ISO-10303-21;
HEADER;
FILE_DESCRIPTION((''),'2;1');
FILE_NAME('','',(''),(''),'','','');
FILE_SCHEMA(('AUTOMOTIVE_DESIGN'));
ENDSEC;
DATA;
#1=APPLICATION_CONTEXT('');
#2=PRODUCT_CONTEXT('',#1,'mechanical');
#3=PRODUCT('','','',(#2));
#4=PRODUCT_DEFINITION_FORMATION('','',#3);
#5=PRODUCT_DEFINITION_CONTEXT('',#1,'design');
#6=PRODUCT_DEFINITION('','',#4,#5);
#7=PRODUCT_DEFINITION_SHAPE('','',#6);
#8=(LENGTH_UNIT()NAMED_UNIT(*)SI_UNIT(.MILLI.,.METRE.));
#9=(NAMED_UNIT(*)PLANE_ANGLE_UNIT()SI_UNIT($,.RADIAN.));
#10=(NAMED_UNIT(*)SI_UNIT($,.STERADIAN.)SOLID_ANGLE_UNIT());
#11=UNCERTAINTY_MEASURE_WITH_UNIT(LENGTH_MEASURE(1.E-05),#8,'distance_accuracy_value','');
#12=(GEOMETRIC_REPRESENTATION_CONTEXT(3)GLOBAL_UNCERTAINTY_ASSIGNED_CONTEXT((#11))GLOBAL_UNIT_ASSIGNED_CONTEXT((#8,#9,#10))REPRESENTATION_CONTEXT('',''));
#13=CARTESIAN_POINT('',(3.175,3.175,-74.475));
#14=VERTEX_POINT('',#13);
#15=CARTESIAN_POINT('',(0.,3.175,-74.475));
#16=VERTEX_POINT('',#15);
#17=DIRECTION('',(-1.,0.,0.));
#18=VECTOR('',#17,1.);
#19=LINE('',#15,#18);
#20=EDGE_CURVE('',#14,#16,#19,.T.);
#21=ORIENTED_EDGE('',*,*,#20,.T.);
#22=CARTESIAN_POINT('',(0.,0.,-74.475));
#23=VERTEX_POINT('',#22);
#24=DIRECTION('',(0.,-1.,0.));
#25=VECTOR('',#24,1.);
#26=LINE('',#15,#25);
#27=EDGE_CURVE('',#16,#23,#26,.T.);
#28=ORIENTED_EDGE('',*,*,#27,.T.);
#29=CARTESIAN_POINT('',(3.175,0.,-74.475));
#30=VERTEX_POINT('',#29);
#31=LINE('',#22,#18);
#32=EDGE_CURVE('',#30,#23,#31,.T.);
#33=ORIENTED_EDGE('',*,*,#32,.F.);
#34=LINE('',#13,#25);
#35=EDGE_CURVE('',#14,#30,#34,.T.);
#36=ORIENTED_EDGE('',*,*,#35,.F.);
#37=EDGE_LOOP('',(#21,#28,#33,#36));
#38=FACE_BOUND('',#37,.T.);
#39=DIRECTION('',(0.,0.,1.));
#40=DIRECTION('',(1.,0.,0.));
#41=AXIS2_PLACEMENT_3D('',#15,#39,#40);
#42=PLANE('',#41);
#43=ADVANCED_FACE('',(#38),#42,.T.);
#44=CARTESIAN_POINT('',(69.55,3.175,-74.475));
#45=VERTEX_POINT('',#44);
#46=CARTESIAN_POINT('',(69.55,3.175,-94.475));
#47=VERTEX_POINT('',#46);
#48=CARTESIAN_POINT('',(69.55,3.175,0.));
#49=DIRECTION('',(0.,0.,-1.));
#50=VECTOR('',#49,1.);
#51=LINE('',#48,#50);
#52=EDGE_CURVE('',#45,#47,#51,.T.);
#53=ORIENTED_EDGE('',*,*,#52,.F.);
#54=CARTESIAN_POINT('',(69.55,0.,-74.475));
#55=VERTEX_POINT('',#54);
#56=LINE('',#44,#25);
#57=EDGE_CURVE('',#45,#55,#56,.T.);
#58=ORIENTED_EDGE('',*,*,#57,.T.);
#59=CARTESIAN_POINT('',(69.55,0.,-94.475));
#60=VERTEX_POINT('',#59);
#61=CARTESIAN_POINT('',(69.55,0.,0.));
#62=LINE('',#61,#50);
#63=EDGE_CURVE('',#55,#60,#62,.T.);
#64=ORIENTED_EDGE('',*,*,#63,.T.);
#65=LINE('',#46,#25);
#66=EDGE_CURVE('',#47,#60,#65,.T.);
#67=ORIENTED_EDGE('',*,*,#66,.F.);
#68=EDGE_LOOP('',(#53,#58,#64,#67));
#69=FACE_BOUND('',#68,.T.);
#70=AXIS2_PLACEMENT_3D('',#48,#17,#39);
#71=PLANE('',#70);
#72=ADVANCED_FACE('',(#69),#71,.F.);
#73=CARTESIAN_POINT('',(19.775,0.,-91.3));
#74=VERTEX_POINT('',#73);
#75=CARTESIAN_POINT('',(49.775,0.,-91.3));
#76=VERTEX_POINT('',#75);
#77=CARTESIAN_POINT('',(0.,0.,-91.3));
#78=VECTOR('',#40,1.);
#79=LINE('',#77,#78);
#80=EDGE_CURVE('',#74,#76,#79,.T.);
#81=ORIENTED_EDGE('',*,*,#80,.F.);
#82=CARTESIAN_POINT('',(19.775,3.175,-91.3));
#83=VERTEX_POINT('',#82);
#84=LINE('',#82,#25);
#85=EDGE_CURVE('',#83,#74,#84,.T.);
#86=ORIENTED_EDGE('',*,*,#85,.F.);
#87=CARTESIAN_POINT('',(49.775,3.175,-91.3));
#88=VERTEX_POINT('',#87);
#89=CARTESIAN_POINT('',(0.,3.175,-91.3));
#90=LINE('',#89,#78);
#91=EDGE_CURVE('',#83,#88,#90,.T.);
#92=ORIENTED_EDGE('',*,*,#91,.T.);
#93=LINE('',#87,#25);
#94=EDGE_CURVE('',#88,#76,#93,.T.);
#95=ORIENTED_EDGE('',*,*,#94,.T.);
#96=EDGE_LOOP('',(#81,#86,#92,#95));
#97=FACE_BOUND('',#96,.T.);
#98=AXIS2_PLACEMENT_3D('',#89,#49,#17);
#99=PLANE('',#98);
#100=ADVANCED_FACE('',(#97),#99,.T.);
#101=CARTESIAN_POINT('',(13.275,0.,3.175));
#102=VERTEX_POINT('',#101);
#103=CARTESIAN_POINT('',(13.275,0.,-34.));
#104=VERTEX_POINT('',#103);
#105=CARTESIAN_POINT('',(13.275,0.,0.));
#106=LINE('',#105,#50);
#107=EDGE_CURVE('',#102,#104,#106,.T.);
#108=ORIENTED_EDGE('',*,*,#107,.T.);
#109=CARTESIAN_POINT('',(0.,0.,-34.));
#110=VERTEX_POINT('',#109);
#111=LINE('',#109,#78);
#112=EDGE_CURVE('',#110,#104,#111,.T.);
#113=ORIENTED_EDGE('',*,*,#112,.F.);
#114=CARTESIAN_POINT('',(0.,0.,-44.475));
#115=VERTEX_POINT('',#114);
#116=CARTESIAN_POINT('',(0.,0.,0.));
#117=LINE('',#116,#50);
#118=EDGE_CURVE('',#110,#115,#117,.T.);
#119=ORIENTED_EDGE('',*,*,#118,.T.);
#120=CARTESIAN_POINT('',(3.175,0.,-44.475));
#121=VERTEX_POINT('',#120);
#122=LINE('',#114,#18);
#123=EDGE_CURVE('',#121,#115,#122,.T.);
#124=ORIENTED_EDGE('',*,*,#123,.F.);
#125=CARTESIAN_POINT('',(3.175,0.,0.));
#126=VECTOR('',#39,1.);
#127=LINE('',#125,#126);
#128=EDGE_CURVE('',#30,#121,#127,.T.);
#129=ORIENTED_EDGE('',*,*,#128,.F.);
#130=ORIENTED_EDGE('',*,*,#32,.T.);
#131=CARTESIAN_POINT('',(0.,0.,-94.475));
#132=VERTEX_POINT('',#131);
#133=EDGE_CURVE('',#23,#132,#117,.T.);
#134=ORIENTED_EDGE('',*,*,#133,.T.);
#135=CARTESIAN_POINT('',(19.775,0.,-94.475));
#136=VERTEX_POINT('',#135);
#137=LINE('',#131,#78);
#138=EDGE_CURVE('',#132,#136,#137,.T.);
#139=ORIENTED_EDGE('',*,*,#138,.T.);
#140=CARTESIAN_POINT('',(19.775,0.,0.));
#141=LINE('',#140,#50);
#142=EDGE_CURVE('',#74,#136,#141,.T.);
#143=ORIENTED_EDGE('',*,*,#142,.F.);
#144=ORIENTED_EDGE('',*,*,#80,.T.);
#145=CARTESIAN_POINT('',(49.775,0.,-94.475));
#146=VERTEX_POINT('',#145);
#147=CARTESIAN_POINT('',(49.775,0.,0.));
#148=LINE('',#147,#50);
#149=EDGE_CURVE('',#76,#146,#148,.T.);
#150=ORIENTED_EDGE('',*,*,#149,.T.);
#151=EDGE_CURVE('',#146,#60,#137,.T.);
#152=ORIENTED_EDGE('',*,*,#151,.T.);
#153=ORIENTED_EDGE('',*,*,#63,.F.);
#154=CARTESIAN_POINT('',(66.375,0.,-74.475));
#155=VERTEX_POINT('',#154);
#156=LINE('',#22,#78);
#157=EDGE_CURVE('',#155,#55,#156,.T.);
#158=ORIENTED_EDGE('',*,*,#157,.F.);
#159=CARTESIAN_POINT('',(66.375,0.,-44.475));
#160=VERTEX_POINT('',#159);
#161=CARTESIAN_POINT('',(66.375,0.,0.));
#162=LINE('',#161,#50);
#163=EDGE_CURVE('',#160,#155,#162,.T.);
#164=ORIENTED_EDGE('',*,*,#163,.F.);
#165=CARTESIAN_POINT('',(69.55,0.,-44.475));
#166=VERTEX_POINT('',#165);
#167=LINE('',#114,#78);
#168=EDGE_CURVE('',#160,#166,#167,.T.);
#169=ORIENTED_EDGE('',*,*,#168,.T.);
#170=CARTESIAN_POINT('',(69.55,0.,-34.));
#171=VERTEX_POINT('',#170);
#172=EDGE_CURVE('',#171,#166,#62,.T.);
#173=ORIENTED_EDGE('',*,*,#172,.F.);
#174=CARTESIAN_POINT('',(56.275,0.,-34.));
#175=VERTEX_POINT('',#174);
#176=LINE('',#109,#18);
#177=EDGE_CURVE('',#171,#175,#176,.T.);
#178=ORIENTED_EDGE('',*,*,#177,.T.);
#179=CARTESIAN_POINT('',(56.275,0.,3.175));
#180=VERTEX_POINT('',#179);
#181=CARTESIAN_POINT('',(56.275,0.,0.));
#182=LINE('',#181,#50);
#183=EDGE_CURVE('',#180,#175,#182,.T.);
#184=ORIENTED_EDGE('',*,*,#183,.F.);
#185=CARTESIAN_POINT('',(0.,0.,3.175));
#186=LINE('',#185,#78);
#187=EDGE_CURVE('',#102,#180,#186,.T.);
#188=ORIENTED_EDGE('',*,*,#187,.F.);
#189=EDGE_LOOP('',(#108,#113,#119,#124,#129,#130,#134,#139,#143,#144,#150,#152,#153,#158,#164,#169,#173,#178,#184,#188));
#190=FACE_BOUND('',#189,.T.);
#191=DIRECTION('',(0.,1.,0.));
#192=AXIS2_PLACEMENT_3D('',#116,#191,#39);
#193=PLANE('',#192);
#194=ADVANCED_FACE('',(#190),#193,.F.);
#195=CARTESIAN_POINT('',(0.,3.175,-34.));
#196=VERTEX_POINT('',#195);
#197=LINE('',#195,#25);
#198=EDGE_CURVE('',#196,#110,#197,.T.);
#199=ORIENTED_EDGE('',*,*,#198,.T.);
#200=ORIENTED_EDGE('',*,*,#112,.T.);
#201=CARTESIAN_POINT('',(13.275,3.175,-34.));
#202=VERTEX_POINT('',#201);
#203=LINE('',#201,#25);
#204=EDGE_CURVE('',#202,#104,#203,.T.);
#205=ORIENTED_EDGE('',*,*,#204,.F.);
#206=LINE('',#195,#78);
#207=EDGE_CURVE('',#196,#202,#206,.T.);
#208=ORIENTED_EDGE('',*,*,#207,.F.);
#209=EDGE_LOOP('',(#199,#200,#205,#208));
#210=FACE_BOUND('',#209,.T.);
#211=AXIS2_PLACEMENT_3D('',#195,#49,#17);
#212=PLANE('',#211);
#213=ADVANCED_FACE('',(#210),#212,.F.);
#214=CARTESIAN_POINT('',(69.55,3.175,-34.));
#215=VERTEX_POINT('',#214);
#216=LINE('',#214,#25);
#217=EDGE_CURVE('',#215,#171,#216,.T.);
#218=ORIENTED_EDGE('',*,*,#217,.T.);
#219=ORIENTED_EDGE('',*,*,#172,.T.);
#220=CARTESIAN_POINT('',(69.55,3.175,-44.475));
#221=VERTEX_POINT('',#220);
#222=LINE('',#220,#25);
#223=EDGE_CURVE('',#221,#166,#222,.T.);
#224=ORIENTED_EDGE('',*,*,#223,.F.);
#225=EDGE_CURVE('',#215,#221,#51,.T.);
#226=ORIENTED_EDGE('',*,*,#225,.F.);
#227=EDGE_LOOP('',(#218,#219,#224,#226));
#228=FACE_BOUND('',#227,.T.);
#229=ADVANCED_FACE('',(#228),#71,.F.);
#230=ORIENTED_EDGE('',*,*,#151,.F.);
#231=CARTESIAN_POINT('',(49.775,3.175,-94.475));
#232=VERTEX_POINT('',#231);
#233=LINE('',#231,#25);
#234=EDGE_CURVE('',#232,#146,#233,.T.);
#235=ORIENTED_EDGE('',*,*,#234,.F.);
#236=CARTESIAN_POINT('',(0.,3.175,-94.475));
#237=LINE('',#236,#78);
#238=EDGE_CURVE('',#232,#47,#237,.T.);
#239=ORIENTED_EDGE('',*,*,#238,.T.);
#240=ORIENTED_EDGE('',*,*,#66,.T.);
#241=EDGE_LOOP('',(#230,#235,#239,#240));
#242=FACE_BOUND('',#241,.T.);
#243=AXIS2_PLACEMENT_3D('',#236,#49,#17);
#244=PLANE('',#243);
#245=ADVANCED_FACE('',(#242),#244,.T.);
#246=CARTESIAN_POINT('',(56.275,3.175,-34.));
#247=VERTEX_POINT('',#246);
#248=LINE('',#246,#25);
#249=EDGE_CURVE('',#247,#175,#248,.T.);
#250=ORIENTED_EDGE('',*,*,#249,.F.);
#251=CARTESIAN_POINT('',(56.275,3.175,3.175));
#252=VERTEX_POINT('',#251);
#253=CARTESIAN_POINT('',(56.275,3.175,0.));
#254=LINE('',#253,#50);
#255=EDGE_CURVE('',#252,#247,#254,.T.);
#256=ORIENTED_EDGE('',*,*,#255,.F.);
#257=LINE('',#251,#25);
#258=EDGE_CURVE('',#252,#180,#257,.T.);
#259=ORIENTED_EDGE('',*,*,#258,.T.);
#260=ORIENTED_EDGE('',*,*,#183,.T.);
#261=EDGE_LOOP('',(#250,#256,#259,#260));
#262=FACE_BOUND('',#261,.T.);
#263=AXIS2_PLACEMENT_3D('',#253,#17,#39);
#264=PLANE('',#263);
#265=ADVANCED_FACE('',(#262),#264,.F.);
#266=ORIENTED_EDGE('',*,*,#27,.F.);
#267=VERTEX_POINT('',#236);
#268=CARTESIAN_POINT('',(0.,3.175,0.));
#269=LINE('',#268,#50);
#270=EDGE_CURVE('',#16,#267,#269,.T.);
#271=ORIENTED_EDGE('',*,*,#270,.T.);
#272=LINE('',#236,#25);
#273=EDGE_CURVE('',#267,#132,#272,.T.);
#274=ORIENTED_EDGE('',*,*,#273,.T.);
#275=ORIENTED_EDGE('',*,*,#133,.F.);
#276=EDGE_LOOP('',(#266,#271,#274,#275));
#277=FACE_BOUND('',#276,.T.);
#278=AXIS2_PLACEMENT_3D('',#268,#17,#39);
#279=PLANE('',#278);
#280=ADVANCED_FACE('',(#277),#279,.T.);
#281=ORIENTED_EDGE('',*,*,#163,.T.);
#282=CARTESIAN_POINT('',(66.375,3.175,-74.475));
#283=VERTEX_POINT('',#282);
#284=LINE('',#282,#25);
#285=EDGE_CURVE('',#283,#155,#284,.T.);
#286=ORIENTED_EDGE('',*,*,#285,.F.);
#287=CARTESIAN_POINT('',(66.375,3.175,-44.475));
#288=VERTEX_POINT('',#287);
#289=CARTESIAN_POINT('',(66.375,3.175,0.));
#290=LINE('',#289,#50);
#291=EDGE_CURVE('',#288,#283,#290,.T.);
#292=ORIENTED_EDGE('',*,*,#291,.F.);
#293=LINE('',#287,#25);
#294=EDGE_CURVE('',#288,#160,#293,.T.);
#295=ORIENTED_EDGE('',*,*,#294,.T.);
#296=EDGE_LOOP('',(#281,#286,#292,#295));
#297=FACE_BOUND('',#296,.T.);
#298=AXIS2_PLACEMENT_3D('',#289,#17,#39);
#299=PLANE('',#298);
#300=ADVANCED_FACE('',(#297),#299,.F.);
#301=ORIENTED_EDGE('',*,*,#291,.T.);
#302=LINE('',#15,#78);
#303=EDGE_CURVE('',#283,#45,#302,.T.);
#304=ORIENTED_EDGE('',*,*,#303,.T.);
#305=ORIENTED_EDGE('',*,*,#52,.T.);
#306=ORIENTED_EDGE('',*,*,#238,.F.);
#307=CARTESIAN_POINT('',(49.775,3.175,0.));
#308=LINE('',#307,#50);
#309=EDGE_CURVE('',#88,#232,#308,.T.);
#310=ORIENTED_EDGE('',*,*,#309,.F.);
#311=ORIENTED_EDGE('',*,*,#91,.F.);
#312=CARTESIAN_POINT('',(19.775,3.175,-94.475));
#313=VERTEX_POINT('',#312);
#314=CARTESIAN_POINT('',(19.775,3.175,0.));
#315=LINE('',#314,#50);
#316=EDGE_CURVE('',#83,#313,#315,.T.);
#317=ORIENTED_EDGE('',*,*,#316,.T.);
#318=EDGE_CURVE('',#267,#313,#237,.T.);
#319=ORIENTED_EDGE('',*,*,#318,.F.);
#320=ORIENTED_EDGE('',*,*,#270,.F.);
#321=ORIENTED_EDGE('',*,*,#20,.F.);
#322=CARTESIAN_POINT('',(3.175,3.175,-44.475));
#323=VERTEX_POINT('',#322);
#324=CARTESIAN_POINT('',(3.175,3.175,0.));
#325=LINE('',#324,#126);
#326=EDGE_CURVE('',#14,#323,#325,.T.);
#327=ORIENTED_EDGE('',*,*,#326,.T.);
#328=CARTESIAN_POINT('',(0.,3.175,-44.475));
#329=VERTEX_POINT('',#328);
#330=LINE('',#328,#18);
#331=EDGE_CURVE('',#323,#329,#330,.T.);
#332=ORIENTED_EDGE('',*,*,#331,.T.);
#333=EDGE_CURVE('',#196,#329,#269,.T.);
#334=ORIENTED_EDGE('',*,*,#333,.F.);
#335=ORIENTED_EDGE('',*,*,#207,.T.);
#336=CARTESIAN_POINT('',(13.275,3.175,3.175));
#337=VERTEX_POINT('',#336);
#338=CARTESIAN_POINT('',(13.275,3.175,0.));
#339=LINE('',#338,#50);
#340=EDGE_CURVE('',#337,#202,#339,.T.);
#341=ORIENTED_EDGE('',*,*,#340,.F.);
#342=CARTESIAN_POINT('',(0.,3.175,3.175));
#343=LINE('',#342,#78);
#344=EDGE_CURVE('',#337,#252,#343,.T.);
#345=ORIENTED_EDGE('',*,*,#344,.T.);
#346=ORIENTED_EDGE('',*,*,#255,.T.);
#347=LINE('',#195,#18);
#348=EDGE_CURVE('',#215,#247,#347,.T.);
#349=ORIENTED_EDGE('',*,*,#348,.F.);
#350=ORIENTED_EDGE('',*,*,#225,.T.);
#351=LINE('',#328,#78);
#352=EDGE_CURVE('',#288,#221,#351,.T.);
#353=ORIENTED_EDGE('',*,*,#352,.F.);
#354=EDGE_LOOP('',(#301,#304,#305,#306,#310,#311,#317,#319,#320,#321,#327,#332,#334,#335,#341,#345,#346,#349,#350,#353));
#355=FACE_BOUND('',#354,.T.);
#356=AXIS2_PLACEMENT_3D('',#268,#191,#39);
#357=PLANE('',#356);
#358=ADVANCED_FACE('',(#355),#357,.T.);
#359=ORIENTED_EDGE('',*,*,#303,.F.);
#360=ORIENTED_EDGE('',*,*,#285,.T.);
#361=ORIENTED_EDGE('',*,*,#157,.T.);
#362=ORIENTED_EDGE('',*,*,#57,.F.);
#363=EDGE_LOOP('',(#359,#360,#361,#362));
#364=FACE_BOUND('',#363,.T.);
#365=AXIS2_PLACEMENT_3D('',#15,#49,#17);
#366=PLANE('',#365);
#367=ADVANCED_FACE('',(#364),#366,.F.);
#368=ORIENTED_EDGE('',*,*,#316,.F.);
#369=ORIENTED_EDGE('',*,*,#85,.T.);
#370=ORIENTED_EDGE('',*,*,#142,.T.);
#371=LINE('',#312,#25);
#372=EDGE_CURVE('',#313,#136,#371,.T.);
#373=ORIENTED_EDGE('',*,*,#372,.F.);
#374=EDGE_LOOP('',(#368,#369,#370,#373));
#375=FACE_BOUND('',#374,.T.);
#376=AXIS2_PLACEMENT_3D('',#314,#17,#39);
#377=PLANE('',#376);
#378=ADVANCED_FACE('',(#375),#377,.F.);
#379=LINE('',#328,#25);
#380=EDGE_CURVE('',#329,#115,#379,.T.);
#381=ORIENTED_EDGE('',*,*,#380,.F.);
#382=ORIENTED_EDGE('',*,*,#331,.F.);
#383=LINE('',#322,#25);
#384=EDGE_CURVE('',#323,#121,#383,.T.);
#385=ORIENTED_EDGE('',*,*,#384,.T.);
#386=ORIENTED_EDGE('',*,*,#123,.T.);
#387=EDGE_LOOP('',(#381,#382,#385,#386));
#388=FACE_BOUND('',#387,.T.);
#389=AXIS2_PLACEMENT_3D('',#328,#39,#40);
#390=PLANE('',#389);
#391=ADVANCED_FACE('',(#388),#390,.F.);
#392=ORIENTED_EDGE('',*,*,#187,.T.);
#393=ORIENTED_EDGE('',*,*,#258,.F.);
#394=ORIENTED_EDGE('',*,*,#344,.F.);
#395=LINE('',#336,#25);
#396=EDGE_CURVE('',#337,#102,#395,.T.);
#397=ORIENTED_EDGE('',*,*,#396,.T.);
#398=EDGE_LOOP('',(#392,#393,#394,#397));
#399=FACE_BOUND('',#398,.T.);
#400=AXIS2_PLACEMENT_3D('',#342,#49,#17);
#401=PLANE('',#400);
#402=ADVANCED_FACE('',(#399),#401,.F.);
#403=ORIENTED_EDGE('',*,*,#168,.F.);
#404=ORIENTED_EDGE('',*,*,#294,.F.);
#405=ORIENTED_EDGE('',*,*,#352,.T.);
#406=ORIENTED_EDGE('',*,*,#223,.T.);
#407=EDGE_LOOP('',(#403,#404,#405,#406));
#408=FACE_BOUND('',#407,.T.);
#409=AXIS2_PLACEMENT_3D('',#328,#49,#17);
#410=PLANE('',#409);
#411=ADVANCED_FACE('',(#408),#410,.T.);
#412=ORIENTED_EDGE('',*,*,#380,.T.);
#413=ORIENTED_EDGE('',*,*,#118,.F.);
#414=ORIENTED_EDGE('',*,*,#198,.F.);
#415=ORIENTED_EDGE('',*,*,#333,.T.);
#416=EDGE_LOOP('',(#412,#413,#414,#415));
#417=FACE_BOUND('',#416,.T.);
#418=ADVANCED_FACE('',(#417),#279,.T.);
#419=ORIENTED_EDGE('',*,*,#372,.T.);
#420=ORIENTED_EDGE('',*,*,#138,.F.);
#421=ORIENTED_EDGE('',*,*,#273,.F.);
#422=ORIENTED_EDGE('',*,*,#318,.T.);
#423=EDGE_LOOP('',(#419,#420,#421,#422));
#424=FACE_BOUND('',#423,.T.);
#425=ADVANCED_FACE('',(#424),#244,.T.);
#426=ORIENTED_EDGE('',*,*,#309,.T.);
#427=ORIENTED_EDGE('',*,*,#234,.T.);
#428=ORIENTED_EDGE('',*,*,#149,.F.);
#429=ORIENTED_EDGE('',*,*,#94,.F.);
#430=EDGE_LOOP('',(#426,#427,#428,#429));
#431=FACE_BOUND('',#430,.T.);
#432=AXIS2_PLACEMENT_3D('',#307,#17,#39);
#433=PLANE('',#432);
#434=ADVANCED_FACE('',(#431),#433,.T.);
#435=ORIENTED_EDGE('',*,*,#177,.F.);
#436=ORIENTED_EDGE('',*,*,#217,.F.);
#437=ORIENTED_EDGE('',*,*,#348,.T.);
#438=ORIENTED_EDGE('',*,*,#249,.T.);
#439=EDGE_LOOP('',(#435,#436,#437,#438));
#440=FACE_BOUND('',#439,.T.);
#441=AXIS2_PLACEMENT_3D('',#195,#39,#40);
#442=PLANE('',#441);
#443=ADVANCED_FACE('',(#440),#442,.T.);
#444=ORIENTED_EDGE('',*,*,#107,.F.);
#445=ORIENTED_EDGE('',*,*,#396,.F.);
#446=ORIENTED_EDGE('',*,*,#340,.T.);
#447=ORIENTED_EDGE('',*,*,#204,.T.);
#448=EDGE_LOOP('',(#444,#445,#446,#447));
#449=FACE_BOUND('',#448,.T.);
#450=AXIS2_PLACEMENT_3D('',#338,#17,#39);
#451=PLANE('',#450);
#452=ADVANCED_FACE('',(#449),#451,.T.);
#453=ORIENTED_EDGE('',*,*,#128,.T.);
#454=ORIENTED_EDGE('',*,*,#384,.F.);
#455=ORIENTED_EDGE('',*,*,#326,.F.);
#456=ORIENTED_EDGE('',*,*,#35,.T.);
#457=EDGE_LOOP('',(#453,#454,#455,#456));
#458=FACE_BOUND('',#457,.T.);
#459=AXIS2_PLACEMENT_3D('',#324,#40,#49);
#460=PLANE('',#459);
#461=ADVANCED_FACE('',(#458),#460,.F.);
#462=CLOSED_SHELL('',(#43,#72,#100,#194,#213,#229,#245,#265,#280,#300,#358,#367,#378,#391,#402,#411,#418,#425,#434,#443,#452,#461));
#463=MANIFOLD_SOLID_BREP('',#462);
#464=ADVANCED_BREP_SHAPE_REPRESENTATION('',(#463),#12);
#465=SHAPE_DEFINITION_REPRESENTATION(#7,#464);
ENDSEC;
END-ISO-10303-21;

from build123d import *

# Parameters (mm, degrees)
BOSS_EXTRUDE1_DEPTH = 3.175


with BuildPart() as part:
    # Sketch1 → Boss-Extrude1 (new body)
    with BuildSketch(Plane(origin=(0, 0, 0), x_dir=(1, 0, 0), z_dir=(0, 1, 0))):
        Polygon((49.775, 91.3), (19.775, 91.3), (19.775, 94.475), (0, 94.475), (0, 74.475), (3.175, 74.475), (3.175, 44.475), (0, 44.475), (0, 34), (13.275, 34), (13.275, -3.175), (56.275, -3.175), (56.275, 34), (69.55, 34), (69.55, 44.475), (66.375, 44.475), (66.375, 74.475), (69.55, 74.475), (69.55, 94.475), (49.775, 94.475), align=None)
    extrude(amount=BOSS_EXTRUDE1_DEPTH)


solid = part.part
